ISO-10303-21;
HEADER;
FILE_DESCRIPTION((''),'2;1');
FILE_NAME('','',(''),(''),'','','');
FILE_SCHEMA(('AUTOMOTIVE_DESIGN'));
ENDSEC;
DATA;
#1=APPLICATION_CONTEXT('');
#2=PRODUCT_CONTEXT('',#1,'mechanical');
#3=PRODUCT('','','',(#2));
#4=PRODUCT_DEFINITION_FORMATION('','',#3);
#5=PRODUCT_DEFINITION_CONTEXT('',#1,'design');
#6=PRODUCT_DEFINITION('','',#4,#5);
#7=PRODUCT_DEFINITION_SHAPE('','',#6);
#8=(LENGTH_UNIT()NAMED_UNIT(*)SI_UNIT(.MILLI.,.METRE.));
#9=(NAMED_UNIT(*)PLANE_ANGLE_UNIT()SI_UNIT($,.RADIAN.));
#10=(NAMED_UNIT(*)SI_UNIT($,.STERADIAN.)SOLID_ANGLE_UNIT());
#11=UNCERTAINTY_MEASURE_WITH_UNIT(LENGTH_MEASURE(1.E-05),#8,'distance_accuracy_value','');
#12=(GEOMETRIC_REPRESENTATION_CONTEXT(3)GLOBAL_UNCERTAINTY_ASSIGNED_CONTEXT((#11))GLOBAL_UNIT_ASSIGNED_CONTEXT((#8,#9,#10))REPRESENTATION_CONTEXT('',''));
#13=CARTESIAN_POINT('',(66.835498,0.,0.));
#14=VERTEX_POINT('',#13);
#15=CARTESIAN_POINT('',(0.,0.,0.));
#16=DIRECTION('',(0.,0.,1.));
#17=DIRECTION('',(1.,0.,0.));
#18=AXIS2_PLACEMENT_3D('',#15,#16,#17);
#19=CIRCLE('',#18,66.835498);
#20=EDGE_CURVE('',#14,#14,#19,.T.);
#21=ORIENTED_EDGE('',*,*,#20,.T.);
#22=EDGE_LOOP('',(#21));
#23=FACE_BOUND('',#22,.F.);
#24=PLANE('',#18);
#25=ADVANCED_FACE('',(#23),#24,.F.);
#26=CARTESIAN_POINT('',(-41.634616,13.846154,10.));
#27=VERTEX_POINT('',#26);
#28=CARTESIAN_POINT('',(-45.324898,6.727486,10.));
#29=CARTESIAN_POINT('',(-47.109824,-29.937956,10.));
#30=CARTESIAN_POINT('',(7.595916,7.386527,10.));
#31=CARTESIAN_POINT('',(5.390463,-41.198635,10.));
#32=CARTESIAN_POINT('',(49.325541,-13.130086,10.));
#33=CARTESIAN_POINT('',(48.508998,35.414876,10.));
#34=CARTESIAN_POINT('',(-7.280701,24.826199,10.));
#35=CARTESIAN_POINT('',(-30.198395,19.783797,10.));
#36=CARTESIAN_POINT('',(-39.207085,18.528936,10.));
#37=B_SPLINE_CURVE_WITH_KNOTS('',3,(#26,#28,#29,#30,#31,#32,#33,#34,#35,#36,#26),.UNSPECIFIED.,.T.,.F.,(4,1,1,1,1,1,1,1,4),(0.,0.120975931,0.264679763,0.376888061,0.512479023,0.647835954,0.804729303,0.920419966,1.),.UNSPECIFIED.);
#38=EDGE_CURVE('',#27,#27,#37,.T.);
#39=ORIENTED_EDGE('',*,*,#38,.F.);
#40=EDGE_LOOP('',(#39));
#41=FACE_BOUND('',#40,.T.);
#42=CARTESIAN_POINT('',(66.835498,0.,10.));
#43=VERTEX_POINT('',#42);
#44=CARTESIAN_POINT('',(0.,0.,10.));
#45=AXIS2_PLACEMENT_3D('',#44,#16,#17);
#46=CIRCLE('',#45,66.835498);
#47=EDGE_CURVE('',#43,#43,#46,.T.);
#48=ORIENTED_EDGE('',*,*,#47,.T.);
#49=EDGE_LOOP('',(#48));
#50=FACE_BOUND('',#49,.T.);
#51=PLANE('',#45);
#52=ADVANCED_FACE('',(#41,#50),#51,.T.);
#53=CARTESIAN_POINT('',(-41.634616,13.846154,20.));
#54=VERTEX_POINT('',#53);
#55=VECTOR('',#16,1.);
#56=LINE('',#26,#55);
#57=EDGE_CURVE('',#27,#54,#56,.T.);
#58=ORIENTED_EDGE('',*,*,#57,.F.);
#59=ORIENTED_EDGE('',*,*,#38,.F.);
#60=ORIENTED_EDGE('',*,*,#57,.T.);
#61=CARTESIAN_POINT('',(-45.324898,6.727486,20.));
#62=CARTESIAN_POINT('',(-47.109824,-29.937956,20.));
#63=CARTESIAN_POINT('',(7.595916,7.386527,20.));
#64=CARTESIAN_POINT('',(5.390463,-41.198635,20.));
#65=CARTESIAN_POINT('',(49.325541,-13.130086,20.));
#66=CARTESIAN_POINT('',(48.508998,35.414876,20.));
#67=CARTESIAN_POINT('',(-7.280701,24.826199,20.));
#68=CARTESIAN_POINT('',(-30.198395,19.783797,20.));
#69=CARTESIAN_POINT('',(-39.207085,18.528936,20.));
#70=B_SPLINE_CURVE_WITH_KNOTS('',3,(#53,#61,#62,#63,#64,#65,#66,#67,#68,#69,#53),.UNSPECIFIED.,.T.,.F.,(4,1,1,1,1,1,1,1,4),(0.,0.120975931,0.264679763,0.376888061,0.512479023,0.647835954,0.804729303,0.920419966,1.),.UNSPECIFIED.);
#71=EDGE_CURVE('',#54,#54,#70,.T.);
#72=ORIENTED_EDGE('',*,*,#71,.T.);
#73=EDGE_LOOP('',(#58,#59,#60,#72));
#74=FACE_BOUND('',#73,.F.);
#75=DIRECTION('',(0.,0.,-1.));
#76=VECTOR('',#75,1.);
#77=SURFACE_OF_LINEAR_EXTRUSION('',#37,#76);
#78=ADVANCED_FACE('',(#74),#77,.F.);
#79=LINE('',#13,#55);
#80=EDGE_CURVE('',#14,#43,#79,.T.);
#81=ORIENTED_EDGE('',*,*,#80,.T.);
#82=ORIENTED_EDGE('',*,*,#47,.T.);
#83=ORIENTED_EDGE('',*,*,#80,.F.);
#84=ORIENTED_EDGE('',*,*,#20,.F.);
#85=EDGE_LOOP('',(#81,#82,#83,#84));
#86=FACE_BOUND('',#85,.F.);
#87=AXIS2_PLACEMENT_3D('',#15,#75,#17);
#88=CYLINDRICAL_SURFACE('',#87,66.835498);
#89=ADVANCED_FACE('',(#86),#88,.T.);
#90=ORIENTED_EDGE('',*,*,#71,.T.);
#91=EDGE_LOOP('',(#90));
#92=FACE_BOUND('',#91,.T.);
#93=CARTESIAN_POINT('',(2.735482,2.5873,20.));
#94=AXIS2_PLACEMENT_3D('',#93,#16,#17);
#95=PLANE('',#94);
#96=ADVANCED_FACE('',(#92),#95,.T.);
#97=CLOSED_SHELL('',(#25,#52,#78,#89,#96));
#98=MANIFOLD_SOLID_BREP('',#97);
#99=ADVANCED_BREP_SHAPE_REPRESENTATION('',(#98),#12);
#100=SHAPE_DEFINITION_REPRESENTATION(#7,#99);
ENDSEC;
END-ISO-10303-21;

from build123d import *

# Parameters (mm, degrees)
F0_R     = 66.8354984162
F1_DEPTH = 10
F3_DEPTH = 10


with BuildPart() as f1:
    # F0 (on Top) → F1 (new body)
    with BuildSketch(Plane.XY):
        Circle(F0_R)
    extrude(amount=F1_DEPTH)

    # F2 (on face) → F3 (join)
    with BuildSketch(Plane.XY.offset(10)):
        with BuildLine():
            add(Edge.make_bspline(
                [(-41.6346155107, 13.8461543247), (-45.324897955, 6.7274855331), (-47.1098241665, -29.9379562205), (7.5959160578, 7.3865266925), (5.3904631715, -41.1986346538), (49.3255410323, -13.1300864682), (48.5089979062, 35.414875965), (-7.2807014811, 24.8261989776), (-30.1983950318, 19.7837965501), (-39.2070846851, 18.5289362498), (-41.6346155107, 13.8461543247)],
                knots=[0, 0, 0, 0, 0.1209759312, 0.2646797635, 0.3768880607, 0.5124790232, 0.6478359539, 0.8047293033, 0.920419966, 1, 1, 1, 1], degree=3))
        make_face()
    extrude(amount=F3_DEPTH)


solid = f1.part
